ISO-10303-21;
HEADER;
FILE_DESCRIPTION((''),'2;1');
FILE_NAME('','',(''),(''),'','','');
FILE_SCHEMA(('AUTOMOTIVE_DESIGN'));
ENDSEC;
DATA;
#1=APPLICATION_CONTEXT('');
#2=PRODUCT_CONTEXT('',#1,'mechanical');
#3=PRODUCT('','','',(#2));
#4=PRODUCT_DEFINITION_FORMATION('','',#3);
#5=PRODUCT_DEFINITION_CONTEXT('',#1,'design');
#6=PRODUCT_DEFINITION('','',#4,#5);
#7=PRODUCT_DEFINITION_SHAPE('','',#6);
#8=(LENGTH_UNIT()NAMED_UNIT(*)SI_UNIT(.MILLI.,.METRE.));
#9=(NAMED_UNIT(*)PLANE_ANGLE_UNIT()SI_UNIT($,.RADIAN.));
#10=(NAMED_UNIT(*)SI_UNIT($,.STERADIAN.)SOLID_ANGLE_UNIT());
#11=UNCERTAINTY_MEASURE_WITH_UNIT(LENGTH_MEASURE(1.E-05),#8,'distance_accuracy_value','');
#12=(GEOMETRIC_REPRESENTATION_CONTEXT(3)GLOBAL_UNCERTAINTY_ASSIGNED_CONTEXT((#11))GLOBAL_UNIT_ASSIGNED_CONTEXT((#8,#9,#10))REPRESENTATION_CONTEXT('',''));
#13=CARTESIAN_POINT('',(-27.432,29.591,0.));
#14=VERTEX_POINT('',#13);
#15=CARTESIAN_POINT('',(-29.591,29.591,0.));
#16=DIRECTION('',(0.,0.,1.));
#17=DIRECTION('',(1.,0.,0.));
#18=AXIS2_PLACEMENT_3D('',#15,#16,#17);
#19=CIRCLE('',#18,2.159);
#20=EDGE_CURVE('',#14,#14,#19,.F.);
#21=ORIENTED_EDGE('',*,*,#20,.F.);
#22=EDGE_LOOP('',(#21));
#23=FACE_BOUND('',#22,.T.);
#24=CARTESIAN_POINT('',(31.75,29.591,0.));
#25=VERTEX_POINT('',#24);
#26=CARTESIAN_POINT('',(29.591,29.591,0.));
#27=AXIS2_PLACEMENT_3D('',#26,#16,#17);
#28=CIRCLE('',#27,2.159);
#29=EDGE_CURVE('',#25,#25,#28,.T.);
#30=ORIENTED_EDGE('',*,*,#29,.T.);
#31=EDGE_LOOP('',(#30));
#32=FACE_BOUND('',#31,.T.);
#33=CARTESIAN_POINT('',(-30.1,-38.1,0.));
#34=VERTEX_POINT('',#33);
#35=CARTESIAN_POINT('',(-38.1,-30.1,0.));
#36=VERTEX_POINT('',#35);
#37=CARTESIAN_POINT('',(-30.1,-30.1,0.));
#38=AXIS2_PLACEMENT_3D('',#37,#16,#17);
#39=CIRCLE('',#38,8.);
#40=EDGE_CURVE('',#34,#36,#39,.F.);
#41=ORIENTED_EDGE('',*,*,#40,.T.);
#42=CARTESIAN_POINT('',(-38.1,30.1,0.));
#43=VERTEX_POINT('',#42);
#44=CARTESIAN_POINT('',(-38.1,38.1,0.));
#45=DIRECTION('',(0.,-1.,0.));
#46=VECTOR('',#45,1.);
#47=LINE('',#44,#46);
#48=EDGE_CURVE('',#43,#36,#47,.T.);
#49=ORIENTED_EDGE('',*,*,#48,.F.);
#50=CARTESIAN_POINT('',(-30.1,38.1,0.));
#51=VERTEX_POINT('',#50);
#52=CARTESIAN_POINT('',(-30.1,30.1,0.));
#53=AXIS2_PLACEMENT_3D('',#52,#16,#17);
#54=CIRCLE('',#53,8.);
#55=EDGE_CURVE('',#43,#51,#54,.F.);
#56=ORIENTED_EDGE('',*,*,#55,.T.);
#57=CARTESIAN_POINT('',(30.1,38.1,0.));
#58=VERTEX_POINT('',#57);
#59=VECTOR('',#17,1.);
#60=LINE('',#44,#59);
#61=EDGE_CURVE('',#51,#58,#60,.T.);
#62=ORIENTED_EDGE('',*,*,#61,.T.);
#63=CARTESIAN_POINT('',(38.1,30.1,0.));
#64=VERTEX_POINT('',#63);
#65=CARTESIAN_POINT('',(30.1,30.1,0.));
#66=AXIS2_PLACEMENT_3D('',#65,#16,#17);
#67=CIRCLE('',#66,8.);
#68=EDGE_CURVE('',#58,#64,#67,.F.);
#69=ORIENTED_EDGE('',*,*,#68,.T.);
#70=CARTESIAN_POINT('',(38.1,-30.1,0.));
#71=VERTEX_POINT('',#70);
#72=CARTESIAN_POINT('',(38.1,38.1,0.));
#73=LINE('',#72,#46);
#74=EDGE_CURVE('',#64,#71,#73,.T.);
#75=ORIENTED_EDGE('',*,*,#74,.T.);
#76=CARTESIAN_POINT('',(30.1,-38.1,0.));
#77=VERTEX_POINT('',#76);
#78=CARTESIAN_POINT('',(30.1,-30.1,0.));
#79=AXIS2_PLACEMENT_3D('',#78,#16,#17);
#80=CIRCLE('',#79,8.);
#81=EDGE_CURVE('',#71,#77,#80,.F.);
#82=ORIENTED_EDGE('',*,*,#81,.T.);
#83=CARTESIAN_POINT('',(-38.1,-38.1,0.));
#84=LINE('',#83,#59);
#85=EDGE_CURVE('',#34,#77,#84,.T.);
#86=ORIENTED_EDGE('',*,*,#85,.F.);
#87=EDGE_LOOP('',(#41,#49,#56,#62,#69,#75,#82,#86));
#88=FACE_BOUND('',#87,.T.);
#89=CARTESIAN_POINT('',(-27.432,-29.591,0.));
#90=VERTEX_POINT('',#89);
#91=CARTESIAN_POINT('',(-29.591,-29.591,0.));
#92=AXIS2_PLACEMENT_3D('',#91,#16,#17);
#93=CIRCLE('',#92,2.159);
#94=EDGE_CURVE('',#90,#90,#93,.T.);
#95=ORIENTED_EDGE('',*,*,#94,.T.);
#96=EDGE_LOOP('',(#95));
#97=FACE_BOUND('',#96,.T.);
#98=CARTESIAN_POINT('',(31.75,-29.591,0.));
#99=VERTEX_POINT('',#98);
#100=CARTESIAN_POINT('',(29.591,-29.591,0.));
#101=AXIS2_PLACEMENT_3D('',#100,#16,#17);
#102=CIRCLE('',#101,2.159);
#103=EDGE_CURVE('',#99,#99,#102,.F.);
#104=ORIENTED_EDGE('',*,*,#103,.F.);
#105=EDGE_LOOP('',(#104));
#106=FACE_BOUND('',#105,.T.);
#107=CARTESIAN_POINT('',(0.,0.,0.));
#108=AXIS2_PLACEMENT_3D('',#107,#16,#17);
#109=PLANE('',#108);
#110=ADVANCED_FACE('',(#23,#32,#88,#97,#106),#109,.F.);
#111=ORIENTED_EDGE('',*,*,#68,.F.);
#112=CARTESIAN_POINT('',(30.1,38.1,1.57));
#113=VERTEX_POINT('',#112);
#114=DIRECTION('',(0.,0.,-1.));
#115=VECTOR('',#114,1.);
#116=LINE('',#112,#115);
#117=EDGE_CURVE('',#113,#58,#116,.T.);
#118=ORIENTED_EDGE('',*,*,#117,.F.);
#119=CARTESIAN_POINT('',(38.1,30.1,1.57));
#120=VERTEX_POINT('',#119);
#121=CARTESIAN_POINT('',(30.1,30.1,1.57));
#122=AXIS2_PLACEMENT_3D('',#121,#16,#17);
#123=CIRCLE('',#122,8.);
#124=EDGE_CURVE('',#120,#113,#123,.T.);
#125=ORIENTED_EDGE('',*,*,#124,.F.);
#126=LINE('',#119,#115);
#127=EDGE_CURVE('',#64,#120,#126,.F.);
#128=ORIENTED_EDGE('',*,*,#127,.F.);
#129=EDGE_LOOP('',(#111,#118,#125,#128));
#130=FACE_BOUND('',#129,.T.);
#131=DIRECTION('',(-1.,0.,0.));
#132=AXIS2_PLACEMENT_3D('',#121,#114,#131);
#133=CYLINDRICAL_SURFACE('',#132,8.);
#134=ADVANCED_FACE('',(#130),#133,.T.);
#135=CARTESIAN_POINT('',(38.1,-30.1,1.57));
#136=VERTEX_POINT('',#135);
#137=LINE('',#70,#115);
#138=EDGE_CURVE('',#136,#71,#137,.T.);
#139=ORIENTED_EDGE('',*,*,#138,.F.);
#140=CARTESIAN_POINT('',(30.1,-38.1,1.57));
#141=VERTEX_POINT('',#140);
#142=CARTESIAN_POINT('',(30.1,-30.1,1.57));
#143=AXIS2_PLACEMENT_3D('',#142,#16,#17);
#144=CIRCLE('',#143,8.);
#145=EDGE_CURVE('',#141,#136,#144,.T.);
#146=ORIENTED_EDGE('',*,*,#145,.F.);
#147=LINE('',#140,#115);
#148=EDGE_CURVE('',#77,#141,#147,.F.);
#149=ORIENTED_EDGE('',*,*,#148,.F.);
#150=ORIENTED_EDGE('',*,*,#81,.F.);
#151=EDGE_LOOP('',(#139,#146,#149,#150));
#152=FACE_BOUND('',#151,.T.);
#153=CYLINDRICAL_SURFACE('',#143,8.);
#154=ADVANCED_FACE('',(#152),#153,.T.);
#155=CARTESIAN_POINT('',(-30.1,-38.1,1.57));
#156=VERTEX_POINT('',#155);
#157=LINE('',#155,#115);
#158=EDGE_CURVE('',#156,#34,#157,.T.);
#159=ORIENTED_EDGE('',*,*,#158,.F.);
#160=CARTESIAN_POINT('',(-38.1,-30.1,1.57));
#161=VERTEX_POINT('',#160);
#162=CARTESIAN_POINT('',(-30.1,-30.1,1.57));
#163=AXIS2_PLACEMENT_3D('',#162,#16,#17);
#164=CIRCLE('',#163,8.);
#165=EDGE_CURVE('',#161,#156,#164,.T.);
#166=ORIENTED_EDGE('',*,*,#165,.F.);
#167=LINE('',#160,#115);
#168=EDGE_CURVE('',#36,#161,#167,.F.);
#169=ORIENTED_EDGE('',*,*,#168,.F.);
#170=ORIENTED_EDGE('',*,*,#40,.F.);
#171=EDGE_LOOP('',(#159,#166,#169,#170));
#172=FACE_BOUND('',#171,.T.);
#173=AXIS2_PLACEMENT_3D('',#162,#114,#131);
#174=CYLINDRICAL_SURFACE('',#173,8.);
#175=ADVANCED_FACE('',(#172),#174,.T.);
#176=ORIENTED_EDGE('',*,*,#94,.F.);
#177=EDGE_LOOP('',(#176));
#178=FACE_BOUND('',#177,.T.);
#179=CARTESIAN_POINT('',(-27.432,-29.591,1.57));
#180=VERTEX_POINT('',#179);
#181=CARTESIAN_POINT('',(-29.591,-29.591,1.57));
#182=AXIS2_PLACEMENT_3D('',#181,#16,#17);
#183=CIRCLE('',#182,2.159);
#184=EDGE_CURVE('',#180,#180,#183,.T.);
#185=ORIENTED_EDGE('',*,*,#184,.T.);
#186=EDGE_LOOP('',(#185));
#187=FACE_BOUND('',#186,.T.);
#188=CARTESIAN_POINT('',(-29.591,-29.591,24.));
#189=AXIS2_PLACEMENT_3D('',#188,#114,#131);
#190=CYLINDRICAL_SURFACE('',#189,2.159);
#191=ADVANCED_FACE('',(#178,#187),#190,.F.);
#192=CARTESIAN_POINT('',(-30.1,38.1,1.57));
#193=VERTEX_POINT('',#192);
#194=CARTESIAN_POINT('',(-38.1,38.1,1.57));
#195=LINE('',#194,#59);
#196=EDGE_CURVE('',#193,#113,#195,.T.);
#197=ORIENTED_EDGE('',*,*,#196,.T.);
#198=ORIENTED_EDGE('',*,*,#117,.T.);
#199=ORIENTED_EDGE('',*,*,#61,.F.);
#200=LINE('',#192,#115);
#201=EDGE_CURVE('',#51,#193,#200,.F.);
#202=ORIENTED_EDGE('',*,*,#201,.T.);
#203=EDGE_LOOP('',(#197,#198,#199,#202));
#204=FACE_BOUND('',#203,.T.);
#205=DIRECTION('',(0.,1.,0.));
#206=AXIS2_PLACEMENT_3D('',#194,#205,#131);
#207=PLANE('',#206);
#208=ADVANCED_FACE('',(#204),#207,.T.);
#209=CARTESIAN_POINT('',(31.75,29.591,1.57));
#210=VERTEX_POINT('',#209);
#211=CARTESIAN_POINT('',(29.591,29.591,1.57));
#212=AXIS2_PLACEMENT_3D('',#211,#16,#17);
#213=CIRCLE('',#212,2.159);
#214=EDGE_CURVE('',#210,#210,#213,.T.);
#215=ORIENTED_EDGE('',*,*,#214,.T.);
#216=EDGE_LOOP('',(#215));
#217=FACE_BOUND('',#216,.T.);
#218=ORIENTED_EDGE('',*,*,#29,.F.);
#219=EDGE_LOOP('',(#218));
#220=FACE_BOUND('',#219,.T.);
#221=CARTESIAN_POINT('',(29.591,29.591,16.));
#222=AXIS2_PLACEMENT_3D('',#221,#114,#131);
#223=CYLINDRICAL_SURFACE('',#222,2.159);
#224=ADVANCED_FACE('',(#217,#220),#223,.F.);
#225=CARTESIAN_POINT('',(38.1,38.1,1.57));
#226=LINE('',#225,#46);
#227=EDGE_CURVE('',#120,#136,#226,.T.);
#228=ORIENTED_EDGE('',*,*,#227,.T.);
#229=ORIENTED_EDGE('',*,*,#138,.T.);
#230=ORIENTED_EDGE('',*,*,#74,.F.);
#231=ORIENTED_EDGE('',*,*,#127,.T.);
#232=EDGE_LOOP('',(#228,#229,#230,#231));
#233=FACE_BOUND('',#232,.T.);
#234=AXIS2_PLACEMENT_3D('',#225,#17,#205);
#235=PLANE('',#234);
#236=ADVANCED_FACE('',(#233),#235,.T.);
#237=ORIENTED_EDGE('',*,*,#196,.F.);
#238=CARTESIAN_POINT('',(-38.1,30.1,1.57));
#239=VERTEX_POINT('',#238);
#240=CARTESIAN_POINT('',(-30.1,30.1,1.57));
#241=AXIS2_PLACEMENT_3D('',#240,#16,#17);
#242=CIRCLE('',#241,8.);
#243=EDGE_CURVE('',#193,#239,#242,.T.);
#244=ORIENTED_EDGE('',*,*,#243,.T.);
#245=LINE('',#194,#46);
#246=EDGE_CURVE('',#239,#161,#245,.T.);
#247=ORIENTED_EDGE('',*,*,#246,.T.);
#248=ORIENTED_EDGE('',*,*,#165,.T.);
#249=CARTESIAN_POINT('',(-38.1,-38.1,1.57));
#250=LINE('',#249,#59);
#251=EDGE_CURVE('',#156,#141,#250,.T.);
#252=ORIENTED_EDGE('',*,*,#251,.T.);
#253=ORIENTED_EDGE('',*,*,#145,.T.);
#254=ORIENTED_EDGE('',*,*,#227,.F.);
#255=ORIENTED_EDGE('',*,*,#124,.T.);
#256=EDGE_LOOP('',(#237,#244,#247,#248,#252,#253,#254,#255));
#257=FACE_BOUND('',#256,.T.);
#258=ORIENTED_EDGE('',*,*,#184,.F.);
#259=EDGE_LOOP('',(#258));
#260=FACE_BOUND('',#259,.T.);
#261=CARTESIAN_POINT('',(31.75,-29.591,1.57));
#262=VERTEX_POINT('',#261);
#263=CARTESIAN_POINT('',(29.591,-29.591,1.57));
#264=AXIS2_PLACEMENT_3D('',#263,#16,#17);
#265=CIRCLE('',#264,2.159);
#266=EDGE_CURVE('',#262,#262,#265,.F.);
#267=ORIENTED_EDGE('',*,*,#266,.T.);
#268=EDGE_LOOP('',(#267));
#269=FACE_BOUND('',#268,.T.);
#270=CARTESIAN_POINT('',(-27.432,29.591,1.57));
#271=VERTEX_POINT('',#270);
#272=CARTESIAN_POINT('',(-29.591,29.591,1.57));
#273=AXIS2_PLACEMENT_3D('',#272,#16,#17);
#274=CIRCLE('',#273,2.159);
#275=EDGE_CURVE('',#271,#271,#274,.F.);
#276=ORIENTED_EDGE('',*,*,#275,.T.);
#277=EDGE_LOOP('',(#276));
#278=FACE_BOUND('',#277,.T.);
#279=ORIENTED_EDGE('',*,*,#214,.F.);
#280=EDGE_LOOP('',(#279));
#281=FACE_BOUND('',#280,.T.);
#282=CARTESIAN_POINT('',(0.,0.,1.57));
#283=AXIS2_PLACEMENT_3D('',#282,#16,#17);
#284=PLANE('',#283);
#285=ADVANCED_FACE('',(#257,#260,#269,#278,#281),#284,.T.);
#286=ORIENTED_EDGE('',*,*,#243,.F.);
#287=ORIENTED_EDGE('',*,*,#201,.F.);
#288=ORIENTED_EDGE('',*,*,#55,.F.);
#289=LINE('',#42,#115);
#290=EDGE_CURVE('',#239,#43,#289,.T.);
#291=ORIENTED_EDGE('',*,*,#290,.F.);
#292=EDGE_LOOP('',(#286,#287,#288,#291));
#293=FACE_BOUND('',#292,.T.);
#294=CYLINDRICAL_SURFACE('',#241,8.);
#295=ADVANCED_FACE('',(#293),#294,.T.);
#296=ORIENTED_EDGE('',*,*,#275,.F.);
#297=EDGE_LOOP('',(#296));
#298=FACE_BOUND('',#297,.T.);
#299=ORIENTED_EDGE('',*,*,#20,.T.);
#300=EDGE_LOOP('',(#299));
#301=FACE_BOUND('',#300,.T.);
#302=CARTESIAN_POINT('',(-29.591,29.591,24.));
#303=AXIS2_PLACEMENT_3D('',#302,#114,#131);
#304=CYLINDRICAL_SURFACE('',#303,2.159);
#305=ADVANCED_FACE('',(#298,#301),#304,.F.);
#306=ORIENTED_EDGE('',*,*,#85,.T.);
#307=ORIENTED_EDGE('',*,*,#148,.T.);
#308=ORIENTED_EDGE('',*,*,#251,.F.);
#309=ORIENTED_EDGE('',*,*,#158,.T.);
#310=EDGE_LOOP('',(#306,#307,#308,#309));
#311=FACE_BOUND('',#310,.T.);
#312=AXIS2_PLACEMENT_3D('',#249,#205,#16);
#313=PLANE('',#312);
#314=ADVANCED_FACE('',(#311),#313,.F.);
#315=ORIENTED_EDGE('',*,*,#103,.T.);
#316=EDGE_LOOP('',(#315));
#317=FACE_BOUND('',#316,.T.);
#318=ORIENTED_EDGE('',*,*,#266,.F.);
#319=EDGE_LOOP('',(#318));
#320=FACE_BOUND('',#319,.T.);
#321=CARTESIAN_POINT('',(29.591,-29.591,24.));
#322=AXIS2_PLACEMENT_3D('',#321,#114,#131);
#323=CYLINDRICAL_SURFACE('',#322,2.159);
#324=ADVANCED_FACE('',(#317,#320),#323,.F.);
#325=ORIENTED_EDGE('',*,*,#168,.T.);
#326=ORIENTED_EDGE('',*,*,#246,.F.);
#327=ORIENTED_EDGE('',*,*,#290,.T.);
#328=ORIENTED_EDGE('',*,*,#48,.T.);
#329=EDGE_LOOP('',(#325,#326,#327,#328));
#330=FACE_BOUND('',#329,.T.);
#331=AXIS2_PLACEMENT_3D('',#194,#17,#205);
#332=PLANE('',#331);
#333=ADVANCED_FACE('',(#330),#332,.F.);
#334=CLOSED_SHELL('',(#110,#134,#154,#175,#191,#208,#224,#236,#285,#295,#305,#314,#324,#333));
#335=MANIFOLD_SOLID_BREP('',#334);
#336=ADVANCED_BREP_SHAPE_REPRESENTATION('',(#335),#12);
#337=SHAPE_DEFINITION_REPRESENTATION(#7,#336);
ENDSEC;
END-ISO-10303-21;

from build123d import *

# Parameters (mm, degrees)
SKETCH1_W               = 76.2
SKETCH1_H               = 76.2
BOSS_EXTRUDE1_DEPTH     = 1.57
CUT_EXTRUDE1_DEPTH      = 16
CUT_EXTRUDE1_DEPTH_BACK = 10.57
SKETCH1_4_R             = 2.159
CUT_EXTRUDE2_DEPTH      = 24
CUT_EXTRUDE2_DEPTH_BACK = 19.57
SKETCH1_5_R             = 2.159
FILLET1_R               = 8


with BuildPart() as part:
    # Sketch1 → Boss-Extrude1 (new body)
    with BuildSketch(Plane.XY):
        Rectangle(SKETCH1_W, SKETCH1_H)
    extrude(amount=BOSS_EXTRUDE1_DEPTH)

    # Sketch1_4 → Cut-Extrude1 (cut, two sides: drawn at the far end of the back side and taken through both)
    with BuildSketch(Plane.XY.offset(-CUT_EXTRUDE1_DEPTH_BACK)):
        with Locations((29.591, 29.591)):
            Circle(SKETCH1_4_R)
    extrude(amount=CUT_EXTRUDE1_DEPTH + CUT_EXTRUDE1_DEPTH_BACK, mode=Mode.SUBTRACT)

    # Sketch1_5 → Cut-Extrude2 (cut, two sides: drawn at the far end of the back side and taken through both)
    with BuildSketch(Plane.XY.offset(-CUT_EXTRUDE2_DEPTH_BACK)):
        with Locations((-29.591, 29.591)):
            Circle(SKETCH1_5_R)
        with Locations((-29.591, -29.591)):
            Circle(SKETCH1_5_R)
        with Locations((29.591, -29.591)):
            Circle(SKETCH1_5_R)
    extrude(amount=CUT_EXTRUDE2_DEPTH + CUT_EXTRUDE2_DEPTH_BACK, mode=Mode.SUBTRACT)

    # Fillet1
    fillet1_edges = [part.edges().sort_by_distance(p)[0] for p in [
        (-38.1, 38.1, 0.785),
        (38.1, 38.1, 0.785),
        (38.1, -38.1, 0.785),
        (-38.1, -38.1, 0.785),
    ]]
    fillet(fillet1_edges, radius=FILLET1_R)


solid = part.part
